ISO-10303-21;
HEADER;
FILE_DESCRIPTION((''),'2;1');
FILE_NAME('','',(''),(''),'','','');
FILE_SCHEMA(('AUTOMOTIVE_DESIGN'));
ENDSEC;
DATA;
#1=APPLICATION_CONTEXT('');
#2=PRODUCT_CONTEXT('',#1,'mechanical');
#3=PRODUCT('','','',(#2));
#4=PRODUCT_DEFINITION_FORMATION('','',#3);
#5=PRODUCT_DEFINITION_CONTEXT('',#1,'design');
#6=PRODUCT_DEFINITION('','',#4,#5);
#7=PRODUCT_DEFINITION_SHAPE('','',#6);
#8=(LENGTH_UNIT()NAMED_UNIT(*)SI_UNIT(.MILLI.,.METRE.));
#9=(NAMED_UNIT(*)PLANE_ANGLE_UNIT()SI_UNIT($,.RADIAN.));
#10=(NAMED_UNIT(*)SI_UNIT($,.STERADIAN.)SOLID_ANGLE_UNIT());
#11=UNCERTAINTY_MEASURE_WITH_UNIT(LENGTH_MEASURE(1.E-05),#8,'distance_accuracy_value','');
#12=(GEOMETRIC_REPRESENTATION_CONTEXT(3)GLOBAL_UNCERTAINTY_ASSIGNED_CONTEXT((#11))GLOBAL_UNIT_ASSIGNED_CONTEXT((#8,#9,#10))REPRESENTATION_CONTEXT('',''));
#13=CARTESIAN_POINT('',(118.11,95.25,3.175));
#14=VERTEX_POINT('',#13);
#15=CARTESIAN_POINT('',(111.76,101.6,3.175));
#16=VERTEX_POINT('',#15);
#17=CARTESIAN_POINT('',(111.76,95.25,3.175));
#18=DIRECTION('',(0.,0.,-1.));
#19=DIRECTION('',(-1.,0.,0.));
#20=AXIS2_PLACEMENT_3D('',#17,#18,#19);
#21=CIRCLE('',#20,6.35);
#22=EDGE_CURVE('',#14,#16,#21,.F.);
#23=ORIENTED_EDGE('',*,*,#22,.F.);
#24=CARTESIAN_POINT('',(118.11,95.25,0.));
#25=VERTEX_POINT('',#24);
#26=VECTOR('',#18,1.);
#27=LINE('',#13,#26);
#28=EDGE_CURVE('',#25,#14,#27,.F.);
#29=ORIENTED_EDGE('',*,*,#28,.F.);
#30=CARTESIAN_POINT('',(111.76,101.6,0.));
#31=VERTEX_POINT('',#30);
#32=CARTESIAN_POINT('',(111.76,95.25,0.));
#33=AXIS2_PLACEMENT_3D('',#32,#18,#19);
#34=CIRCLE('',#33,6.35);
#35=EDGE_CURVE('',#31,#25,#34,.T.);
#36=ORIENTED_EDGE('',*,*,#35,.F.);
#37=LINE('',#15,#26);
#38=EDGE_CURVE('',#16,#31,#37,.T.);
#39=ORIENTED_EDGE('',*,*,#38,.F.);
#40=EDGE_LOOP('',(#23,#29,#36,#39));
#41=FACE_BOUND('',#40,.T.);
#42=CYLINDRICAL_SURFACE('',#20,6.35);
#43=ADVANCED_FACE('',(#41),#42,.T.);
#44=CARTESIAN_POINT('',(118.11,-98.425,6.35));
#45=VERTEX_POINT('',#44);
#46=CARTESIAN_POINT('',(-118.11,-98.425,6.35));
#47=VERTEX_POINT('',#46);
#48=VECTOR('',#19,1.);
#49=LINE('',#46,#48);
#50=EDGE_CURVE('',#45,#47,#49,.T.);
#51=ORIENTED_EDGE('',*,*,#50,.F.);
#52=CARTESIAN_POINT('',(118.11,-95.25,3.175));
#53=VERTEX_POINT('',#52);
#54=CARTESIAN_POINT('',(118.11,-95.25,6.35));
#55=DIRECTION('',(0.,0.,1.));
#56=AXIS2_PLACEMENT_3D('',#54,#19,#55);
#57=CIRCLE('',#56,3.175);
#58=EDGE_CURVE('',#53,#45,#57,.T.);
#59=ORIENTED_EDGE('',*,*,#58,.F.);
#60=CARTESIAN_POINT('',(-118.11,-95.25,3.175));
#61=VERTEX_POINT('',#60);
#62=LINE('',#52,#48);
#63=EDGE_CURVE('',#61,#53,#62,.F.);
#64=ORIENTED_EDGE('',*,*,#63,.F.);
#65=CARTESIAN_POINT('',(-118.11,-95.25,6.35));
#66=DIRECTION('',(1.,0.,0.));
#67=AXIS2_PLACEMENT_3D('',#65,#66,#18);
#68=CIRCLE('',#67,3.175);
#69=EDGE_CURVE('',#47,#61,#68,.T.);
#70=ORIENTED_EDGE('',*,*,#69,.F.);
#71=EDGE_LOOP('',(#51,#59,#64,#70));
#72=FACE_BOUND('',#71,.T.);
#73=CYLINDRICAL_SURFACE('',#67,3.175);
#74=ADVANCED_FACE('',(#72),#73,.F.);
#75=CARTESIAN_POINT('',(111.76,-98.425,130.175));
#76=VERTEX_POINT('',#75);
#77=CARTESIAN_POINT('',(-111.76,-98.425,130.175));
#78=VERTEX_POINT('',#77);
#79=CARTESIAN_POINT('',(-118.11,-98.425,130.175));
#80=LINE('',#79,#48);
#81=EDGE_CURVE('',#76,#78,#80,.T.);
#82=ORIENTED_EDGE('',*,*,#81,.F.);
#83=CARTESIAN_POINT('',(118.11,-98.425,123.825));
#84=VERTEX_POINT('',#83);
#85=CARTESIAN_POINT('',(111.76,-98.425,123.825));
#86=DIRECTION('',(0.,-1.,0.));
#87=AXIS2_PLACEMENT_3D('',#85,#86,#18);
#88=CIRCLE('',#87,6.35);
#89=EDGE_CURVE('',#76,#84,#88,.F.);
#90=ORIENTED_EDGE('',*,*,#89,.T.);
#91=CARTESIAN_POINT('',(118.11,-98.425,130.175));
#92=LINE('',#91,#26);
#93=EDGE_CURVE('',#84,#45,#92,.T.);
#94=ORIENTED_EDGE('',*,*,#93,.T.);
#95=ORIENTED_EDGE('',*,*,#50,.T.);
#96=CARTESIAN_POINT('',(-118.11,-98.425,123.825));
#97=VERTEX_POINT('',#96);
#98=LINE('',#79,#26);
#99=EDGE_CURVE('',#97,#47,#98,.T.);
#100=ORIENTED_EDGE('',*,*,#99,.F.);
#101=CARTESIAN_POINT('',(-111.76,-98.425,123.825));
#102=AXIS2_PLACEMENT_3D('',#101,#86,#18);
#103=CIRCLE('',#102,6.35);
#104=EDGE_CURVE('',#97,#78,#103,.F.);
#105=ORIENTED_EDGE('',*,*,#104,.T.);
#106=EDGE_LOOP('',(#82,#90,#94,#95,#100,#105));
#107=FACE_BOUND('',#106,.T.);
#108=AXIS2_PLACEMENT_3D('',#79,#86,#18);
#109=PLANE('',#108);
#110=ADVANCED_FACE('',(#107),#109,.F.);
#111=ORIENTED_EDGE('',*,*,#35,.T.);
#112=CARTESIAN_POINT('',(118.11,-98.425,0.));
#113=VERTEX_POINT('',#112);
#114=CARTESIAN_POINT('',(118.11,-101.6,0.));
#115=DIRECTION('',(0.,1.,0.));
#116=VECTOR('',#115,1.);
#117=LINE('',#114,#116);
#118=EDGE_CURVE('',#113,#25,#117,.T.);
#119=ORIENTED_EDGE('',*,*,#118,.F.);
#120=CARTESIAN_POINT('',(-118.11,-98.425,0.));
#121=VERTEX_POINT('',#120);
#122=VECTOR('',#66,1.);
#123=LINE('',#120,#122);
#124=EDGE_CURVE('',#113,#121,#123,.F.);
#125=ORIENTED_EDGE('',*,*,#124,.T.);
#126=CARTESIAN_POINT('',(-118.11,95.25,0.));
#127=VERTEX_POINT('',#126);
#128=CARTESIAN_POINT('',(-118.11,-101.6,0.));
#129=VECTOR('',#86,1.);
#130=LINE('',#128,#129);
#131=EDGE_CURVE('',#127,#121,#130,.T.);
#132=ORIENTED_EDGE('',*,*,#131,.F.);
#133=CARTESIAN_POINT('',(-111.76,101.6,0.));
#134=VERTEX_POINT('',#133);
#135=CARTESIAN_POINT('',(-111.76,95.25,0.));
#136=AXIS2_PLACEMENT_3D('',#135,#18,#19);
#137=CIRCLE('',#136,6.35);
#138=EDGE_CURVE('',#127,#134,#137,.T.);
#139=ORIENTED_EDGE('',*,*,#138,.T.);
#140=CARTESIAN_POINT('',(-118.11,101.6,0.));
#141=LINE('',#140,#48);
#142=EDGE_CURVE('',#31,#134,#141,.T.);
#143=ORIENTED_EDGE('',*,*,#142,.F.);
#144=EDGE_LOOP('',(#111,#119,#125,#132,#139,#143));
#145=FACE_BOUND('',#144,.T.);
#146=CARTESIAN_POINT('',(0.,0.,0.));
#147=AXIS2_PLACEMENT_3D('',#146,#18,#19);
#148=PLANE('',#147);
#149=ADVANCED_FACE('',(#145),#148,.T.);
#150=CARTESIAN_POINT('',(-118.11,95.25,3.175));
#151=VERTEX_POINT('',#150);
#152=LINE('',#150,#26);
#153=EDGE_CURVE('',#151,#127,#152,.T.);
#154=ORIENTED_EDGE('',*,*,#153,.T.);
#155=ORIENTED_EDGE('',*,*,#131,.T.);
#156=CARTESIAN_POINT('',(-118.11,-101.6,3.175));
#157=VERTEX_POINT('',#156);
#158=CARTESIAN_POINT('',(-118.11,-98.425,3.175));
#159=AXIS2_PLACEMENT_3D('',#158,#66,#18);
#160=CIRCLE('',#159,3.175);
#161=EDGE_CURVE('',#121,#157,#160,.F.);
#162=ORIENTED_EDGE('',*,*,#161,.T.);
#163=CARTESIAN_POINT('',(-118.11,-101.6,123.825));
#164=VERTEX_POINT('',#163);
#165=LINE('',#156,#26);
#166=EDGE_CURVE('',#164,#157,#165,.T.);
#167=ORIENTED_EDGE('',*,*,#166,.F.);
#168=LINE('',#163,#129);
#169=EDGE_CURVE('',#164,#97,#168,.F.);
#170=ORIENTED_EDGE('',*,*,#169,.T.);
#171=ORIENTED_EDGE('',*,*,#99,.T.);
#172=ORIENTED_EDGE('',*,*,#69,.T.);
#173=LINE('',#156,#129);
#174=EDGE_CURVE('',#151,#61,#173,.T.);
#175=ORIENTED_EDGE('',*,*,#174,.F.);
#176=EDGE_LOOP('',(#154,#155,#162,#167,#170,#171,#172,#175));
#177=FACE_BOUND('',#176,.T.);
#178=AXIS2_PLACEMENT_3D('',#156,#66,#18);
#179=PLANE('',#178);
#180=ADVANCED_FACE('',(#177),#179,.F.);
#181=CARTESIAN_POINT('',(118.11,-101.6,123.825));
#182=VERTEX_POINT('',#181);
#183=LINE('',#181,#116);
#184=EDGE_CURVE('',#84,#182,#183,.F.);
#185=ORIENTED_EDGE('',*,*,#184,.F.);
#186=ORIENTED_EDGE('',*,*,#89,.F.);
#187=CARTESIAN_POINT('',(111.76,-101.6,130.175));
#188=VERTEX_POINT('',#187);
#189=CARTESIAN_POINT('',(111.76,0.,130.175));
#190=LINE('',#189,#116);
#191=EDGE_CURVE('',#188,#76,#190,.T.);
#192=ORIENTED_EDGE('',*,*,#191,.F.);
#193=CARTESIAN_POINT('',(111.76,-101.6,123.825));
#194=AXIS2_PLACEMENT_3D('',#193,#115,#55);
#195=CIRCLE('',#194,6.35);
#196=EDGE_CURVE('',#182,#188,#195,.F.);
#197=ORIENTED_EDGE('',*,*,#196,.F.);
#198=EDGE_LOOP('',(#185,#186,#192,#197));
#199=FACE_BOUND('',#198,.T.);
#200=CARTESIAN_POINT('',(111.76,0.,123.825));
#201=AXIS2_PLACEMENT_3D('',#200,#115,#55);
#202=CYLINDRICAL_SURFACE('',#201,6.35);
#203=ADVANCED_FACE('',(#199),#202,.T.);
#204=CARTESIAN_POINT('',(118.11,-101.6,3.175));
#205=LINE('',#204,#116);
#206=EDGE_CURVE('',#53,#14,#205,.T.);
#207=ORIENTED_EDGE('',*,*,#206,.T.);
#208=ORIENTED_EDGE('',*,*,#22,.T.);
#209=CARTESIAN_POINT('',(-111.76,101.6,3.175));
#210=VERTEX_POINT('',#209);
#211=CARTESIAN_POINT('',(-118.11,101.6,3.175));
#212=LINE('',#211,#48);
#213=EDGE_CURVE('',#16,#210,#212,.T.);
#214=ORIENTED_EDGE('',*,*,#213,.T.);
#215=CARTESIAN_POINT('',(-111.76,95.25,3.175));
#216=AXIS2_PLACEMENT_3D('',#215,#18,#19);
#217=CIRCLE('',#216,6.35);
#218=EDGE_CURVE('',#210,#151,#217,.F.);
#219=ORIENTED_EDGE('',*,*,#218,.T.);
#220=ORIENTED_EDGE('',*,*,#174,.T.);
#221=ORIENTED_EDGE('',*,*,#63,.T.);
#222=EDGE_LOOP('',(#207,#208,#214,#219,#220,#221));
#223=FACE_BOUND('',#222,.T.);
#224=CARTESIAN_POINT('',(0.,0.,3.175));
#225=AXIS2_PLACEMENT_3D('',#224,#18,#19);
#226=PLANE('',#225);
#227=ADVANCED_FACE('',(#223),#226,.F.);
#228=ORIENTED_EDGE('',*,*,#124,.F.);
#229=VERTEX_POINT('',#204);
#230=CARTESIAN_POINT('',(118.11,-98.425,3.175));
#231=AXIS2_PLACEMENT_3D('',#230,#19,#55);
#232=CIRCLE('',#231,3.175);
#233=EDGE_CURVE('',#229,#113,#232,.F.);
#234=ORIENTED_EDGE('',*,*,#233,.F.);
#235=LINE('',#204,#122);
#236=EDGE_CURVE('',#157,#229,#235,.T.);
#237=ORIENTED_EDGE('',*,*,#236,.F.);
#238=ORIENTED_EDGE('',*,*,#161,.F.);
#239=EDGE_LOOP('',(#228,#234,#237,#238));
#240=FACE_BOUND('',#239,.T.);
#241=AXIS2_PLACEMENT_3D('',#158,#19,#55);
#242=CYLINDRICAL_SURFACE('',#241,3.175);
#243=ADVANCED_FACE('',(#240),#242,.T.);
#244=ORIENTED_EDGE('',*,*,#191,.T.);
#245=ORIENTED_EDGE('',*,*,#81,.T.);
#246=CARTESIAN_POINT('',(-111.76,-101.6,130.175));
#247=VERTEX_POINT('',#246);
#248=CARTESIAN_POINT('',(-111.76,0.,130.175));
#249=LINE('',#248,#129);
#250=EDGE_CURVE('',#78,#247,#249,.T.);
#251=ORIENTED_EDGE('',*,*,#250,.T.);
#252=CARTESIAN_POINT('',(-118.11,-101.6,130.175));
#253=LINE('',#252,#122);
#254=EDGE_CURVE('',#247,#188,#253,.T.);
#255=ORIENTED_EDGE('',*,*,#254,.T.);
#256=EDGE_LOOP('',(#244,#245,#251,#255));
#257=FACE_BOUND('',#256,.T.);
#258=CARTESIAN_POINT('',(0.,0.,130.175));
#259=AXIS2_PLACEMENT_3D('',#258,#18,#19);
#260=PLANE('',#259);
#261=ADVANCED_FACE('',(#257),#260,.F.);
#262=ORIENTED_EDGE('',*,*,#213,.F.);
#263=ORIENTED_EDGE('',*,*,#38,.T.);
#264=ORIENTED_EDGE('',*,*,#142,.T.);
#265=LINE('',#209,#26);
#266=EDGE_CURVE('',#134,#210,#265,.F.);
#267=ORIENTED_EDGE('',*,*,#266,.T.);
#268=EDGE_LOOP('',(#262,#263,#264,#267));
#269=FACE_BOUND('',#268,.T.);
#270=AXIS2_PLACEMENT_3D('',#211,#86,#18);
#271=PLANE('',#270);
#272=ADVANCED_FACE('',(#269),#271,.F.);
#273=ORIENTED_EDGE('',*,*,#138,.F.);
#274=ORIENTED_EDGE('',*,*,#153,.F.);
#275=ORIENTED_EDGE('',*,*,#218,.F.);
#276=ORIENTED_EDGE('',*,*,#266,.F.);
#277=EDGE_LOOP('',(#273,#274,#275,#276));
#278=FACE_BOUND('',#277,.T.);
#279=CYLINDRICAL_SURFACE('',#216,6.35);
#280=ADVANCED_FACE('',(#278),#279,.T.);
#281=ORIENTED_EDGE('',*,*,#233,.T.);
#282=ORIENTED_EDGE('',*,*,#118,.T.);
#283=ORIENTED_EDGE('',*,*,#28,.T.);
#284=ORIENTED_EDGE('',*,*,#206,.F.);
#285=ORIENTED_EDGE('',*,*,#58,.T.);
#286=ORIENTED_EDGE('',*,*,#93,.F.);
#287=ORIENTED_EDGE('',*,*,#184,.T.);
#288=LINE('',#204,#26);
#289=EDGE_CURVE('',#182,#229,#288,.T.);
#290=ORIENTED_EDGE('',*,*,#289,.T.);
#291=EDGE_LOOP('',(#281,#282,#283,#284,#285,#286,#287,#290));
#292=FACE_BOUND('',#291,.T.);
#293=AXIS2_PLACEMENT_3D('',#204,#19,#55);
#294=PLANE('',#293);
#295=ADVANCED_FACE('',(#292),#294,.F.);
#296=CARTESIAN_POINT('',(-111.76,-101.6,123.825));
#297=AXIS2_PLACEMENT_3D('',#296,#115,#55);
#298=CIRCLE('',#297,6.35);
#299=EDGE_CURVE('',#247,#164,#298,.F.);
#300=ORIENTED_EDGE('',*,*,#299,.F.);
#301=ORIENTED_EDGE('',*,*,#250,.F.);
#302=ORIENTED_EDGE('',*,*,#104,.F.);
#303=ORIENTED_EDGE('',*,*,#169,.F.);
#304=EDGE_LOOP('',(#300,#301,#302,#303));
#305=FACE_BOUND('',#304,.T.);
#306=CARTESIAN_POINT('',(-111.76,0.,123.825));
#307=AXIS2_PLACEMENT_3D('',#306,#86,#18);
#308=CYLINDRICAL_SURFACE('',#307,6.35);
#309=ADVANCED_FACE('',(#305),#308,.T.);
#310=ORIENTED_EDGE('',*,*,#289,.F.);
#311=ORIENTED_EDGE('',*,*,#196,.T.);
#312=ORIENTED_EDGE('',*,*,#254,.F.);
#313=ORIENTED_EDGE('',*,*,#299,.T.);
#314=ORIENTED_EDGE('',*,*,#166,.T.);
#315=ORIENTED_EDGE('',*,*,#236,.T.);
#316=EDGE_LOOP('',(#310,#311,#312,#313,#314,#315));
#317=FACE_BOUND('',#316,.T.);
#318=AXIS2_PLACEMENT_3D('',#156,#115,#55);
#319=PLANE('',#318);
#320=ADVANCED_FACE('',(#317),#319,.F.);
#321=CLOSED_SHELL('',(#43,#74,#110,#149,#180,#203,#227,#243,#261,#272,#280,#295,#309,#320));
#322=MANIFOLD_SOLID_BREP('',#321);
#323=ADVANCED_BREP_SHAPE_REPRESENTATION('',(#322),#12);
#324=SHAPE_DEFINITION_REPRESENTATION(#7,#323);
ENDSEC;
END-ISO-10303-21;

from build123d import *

# Parameters (mm, degrees)
SKETCH2_W           = 236.22
SKETCH2_H           = 203.2
BOSS_EXTRUDE1_DEPTH = 3.175
SKETCH3_W           = 236.22
SKETCH3_H           = 3.175
BOSS_EXTRUDE2_DEPTH = 127
FILLET1_R           = 3.175
FILLET2_R           = 6.35


with BuildPart() as part:
    # Sketch2 → Boss-Extrude1 (new body)
    with BuildSketch(Plane.XY):
        Rectangle(SKETCH2_W, SKETCH2_H)
    extrude(amount=BOSS_EXTRUDE1_DEPTH)

    # Sketch3 → Boss-Extrude2 (add)
    with BuildSketch(Plane.XY.offset(3.175)):
        with Locations((0, -100.0125)):
            Rectangle(SKETCH3_W, SKETCH3_H)
    extrude(amount=BOSS_EXTRUDE2_DEPTH)

    # Fillet1
    fillet1_edges = [part.edges().sort_by_distance(p)[0] for p in [
        (0, -98.425, 3.175),
        (0, -101.6, 0),
    ]]
    fillet(fillet1_edges, radius=FILLET1_R)

    # Fillet2
    fillet2_edges = [part.edges().sort_by_distance(p)[0] for p in [
        (-118.11, -100.0125, 130.175),
        (118.11, -100.0125, 130.175),
        (-118.11, 101.6, 1.5875),
        (118.11, 101.6, 1.5875),
    ]]
    fillet(fillet2_edges, radius=FILLET2_R)


solid = part.part
